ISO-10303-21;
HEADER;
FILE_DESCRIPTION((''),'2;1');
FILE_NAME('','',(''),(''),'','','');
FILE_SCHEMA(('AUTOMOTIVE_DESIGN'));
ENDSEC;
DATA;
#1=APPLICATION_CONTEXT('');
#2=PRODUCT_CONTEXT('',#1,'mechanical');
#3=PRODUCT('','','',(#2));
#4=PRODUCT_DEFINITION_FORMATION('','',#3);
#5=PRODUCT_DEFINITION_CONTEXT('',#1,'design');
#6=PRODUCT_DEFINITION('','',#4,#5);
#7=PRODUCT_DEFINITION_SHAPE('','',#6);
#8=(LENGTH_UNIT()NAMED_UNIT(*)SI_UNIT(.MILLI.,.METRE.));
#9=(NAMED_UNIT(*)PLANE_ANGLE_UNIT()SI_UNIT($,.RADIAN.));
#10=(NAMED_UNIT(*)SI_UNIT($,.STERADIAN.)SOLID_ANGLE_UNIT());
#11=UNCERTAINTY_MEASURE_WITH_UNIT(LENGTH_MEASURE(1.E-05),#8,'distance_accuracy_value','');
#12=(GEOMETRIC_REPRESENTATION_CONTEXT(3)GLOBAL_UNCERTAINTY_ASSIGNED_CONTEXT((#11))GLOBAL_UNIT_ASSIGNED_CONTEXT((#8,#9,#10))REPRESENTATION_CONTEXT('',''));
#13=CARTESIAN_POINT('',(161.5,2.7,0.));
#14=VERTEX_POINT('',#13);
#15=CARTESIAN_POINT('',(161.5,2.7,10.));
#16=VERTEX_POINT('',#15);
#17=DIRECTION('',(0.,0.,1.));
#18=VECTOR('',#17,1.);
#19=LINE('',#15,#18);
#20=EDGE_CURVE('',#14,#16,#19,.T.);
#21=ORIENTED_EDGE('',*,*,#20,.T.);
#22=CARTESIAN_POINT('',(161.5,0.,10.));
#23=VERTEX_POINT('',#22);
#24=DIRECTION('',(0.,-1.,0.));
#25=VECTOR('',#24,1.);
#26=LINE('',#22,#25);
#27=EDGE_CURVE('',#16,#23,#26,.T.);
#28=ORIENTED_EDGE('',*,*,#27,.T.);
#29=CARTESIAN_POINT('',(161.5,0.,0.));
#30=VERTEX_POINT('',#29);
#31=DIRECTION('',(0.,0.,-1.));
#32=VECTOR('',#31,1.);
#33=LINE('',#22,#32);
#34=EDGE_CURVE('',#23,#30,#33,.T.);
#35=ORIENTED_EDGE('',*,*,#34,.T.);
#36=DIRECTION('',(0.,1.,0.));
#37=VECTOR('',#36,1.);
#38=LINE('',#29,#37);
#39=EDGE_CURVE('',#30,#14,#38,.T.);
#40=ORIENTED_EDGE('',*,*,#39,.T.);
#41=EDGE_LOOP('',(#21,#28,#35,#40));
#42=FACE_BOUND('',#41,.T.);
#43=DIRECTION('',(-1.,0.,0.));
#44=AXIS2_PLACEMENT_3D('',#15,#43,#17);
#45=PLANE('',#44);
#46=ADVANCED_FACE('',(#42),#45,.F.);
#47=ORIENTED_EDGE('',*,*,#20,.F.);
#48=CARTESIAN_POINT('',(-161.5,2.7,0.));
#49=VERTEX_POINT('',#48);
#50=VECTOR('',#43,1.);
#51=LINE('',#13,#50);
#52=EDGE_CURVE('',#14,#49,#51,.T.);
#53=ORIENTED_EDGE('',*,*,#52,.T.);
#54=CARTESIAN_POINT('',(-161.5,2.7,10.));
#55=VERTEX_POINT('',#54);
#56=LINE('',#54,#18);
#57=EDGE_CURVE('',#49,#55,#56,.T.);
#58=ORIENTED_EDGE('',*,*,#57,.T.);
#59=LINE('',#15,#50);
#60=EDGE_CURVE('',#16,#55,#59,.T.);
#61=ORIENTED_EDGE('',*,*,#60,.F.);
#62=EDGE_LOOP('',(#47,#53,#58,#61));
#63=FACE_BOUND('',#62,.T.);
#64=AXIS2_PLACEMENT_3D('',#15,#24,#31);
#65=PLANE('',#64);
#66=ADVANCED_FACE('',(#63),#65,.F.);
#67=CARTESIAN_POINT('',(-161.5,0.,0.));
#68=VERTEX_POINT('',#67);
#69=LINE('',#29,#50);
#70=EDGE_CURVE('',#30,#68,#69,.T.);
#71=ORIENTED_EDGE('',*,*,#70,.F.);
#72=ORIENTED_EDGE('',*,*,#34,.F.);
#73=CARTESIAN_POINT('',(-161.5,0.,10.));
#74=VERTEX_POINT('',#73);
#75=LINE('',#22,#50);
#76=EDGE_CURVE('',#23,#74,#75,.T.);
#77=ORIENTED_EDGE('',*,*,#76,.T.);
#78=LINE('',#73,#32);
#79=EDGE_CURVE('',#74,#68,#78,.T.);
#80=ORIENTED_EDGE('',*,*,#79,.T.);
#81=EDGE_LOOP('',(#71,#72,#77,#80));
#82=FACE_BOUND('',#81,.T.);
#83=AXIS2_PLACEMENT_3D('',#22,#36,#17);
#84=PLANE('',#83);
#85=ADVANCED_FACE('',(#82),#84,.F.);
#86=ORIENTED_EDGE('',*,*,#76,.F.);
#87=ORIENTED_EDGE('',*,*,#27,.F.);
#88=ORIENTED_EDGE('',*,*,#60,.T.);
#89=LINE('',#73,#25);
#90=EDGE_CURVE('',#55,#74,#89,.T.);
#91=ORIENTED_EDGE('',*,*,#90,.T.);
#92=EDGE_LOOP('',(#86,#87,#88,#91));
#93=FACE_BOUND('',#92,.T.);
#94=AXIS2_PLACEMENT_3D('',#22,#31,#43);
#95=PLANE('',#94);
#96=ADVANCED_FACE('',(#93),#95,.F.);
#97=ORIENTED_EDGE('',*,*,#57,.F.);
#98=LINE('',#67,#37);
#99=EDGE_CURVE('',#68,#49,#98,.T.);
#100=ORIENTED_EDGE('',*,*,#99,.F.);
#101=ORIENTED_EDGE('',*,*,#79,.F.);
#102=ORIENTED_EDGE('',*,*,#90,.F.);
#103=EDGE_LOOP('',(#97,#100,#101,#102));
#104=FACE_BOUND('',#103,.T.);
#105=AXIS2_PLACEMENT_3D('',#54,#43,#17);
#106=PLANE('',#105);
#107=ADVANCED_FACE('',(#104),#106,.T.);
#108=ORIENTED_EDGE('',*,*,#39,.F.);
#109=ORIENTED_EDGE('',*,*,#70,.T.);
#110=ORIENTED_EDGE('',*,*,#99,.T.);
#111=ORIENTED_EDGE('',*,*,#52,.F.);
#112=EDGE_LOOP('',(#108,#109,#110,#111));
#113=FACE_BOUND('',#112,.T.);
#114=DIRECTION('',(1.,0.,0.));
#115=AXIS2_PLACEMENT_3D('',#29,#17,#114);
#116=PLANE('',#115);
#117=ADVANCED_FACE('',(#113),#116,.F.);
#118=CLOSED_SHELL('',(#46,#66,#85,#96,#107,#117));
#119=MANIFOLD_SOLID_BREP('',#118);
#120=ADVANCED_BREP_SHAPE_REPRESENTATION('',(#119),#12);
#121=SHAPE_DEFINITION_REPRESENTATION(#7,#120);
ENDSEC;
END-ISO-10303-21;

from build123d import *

# Parameters (mm, degrees)
BOSS_EXTRUDE1_DEPTH      = 161.5
BOSS_EXTRUDE1_DEPTH_BACK = 161.5
SKETCH2_W                = 10
SKETCH2_H                = 2.7


with BuildPart() as part:
    # Sketch2 → Boss-Extrude1 (new, two sides: drawn at the far end of the back side and taken through both)
    with BuildSketch(Plane(origin=(0, 0, 0), x_dir=(0, 0, -1), z_dir=(1, 0, 0)).offset(-BOSS_EXTRUDE1_DEPTH_BACK)):
        with Locations((-5, 1.35)):
            Rectangle(SKETCH2_W, SKETCH2_H)
    extrude(amount=BOSS_EXTRUDE1_DEPTH + BOSS_EXTRUDE1_DEPTH_BACK)


solid = part.part
